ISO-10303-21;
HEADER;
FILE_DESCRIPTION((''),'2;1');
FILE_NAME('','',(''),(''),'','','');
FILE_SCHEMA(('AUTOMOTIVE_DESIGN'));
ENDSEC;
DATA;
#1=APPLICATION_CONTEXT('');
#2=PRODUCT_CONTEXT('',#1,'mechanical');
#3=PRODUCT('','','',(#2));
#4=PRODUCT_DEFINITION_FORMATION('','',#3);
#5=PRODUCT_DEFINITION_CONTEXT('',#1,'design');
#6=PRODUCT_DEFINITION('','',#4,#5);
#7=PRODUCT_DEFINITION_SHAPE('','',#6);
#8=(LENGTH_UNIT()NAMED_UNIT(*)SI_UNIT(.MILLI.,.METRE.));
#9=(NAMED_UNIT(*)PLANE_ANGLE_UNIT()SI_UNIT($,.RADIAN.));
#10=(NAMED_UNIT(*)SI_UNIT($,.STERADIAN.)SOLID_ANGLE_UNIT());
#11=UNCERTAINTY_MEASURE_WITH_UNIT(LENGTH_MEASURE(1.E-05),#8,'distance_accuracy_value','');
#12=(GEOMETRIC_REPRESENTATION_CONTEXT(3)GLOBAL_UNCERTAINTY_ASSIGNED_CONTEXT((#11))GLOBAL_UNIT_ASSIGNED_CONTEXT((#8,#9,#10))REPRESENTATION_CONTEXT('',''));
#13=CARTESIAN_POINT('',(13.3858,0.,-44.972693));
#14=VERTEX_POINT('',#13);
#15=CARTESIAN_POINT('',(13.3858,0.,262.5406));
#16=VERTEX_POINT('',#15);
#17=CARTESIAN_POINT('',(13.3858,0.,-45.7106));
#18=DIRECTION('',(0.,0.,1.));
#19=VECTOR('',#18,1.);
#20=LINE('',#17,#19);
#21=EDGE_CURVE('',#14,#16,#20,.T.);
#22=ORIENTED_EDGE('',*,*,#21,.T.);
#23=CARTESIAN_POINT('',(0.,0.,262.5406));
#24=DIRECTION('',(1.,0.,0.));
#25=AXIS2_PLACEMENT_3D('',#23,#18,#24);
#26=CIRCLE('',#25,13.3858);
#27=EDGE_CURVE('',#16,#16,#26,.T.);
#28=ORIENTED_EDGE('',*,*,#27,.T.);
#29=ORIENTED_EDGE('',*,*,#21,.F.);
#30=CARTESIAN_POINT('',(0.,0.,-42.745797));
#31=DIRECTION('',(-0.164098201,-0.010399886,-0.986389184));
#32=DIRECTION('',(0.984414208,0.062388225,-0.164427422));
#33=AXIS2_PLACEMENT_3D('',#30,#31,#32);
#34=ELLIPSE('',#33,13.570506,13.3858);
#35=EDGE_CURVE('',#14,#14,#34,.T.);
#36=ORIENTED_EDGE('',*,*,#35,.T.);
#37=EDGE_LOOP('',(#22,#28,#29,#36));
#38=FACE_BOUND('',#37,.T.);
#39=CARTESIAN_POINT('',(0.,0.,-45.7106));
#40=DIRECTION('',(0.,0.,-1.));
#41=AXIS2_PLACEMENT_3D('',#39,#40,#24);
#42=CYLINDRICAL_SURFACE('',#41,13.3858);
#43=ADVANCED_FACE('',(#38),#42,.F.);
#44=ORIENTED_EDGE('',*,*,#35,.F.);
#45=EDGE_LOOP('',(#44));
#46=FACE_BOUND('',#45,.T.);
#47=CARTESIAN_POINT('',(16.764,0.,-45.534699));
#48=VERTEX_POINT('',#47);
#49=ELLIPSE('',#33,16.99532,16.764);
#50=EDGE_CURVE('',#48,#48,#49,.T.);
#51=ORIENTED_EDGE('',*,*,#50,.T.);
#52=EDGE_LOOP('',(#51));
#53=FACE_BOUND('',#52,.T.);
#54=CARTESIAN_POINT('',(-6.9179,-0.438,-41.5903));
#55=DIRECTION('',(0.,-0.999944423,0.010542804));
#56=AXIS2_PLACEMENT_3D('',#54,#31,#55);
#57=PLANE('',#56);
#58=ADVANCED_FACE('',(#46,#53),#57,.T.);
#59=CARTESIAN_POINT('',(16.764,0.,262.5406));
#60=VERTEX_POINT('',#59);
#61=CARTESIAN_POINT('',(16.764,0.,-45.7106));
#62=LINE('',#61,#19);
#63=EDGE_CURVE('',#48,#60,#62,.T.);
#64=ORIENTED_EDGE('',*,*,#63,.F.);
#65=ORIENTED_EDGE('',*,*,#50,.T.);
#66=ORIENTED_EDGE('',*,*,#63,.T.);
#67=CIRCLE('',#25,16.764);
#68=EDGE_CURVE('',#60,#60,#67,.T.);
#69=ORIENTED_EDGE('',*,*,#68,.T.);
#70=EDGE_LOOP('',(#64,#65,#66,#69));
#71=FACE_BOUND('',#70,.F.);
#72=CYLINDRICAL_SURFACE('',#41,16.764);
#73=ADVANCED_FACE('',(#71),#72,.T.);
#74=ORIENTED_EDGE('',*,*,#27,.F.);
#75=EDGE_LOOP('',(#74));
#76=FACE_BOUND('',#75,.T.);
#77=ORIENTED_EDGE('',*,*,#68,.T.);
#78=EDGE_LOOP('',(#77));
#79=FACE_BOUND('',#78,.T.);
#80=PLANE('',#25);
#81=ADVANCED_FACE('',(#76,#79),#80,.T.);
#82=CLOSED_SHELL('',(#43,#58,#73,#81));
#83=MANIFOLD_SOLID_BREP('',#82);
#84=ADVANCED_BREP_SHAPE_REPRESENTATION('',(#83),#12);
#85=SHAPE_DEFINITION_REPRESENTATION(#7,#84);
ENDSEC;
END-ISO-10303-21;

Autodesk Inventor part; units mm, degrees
ref_plane "Start plane" through (0, 0, -45.7106) normal (0, 0, 1) x (1, 0, 0)
ref_plane "End plane" through (0, 0, 262.5407) normal (0, 0, 1) x (1, 0, 0)
sketch "Sketch" plane through (0, 0, 0) normal (0, 0, 1) x (1, 0, 0)
  circle A0 centre (0, 0) radius 13.3858
  circle A1 centre (0, 0) radius 16.764
  dimension "d0" = 33.528
  dimension "d1" = 3.3782
extrude "Body" add sketch "Sketch" along normal up to surface (308.2512 mm away) from surface at -45.7106
sketch "Sketch3" plane through (0, 0, 0) normal (0, 0, 1) x (1, 0, 0)
  line L0 (0, 0) -> (10, 0)
ref_plane "Work Plane3" through (0, 0, 0) normal (0, -1, 0) x (1, 0, 0)
ref_plane "Work Plane4" through (-6.9179, -0.438, -41.5903) normal (-0.1641, -0.0104, -0.9864) x (-0.9785, -0.1253, 0.1641)
split "Split1" plane through (-6.9179, -0.438, -41.5903) removes the side toward (-0.1641, -0.0104, -0.9864)
sketch "Sketch4" plane through (0, 0, 0) normal (0, -1, 0) x (1, 0, 0)
  line L0 (-2, -45.7106) -> (12, -45.7106) projected
  line L1 (-2, 262.5407) -> (12, 262.5407) projected
  dimension "d7" = 308.2512
equation "\"d0\" = G_H"
equation "\"d1\" = G_T"
equation "\"d2\" = G_L"
equation "\"G_H\" = 33.528"
equation "\"G_T\" = 3.3782"
equation "\"G_L\" = d7"
equation "\"G_OFFSET_START\" = 45.71056"
equation "\"G_OFFSET_END\" = 0"
equation "\"d4\" = -G_OFFSET_START"
equation "\"d5\" = G_OFFSET_END + B_L"
equation "\"B_L\" = 262.54068"
properties part number "ANSI - 1 x 0.133 - 12.136" material "Steel, Mild"
